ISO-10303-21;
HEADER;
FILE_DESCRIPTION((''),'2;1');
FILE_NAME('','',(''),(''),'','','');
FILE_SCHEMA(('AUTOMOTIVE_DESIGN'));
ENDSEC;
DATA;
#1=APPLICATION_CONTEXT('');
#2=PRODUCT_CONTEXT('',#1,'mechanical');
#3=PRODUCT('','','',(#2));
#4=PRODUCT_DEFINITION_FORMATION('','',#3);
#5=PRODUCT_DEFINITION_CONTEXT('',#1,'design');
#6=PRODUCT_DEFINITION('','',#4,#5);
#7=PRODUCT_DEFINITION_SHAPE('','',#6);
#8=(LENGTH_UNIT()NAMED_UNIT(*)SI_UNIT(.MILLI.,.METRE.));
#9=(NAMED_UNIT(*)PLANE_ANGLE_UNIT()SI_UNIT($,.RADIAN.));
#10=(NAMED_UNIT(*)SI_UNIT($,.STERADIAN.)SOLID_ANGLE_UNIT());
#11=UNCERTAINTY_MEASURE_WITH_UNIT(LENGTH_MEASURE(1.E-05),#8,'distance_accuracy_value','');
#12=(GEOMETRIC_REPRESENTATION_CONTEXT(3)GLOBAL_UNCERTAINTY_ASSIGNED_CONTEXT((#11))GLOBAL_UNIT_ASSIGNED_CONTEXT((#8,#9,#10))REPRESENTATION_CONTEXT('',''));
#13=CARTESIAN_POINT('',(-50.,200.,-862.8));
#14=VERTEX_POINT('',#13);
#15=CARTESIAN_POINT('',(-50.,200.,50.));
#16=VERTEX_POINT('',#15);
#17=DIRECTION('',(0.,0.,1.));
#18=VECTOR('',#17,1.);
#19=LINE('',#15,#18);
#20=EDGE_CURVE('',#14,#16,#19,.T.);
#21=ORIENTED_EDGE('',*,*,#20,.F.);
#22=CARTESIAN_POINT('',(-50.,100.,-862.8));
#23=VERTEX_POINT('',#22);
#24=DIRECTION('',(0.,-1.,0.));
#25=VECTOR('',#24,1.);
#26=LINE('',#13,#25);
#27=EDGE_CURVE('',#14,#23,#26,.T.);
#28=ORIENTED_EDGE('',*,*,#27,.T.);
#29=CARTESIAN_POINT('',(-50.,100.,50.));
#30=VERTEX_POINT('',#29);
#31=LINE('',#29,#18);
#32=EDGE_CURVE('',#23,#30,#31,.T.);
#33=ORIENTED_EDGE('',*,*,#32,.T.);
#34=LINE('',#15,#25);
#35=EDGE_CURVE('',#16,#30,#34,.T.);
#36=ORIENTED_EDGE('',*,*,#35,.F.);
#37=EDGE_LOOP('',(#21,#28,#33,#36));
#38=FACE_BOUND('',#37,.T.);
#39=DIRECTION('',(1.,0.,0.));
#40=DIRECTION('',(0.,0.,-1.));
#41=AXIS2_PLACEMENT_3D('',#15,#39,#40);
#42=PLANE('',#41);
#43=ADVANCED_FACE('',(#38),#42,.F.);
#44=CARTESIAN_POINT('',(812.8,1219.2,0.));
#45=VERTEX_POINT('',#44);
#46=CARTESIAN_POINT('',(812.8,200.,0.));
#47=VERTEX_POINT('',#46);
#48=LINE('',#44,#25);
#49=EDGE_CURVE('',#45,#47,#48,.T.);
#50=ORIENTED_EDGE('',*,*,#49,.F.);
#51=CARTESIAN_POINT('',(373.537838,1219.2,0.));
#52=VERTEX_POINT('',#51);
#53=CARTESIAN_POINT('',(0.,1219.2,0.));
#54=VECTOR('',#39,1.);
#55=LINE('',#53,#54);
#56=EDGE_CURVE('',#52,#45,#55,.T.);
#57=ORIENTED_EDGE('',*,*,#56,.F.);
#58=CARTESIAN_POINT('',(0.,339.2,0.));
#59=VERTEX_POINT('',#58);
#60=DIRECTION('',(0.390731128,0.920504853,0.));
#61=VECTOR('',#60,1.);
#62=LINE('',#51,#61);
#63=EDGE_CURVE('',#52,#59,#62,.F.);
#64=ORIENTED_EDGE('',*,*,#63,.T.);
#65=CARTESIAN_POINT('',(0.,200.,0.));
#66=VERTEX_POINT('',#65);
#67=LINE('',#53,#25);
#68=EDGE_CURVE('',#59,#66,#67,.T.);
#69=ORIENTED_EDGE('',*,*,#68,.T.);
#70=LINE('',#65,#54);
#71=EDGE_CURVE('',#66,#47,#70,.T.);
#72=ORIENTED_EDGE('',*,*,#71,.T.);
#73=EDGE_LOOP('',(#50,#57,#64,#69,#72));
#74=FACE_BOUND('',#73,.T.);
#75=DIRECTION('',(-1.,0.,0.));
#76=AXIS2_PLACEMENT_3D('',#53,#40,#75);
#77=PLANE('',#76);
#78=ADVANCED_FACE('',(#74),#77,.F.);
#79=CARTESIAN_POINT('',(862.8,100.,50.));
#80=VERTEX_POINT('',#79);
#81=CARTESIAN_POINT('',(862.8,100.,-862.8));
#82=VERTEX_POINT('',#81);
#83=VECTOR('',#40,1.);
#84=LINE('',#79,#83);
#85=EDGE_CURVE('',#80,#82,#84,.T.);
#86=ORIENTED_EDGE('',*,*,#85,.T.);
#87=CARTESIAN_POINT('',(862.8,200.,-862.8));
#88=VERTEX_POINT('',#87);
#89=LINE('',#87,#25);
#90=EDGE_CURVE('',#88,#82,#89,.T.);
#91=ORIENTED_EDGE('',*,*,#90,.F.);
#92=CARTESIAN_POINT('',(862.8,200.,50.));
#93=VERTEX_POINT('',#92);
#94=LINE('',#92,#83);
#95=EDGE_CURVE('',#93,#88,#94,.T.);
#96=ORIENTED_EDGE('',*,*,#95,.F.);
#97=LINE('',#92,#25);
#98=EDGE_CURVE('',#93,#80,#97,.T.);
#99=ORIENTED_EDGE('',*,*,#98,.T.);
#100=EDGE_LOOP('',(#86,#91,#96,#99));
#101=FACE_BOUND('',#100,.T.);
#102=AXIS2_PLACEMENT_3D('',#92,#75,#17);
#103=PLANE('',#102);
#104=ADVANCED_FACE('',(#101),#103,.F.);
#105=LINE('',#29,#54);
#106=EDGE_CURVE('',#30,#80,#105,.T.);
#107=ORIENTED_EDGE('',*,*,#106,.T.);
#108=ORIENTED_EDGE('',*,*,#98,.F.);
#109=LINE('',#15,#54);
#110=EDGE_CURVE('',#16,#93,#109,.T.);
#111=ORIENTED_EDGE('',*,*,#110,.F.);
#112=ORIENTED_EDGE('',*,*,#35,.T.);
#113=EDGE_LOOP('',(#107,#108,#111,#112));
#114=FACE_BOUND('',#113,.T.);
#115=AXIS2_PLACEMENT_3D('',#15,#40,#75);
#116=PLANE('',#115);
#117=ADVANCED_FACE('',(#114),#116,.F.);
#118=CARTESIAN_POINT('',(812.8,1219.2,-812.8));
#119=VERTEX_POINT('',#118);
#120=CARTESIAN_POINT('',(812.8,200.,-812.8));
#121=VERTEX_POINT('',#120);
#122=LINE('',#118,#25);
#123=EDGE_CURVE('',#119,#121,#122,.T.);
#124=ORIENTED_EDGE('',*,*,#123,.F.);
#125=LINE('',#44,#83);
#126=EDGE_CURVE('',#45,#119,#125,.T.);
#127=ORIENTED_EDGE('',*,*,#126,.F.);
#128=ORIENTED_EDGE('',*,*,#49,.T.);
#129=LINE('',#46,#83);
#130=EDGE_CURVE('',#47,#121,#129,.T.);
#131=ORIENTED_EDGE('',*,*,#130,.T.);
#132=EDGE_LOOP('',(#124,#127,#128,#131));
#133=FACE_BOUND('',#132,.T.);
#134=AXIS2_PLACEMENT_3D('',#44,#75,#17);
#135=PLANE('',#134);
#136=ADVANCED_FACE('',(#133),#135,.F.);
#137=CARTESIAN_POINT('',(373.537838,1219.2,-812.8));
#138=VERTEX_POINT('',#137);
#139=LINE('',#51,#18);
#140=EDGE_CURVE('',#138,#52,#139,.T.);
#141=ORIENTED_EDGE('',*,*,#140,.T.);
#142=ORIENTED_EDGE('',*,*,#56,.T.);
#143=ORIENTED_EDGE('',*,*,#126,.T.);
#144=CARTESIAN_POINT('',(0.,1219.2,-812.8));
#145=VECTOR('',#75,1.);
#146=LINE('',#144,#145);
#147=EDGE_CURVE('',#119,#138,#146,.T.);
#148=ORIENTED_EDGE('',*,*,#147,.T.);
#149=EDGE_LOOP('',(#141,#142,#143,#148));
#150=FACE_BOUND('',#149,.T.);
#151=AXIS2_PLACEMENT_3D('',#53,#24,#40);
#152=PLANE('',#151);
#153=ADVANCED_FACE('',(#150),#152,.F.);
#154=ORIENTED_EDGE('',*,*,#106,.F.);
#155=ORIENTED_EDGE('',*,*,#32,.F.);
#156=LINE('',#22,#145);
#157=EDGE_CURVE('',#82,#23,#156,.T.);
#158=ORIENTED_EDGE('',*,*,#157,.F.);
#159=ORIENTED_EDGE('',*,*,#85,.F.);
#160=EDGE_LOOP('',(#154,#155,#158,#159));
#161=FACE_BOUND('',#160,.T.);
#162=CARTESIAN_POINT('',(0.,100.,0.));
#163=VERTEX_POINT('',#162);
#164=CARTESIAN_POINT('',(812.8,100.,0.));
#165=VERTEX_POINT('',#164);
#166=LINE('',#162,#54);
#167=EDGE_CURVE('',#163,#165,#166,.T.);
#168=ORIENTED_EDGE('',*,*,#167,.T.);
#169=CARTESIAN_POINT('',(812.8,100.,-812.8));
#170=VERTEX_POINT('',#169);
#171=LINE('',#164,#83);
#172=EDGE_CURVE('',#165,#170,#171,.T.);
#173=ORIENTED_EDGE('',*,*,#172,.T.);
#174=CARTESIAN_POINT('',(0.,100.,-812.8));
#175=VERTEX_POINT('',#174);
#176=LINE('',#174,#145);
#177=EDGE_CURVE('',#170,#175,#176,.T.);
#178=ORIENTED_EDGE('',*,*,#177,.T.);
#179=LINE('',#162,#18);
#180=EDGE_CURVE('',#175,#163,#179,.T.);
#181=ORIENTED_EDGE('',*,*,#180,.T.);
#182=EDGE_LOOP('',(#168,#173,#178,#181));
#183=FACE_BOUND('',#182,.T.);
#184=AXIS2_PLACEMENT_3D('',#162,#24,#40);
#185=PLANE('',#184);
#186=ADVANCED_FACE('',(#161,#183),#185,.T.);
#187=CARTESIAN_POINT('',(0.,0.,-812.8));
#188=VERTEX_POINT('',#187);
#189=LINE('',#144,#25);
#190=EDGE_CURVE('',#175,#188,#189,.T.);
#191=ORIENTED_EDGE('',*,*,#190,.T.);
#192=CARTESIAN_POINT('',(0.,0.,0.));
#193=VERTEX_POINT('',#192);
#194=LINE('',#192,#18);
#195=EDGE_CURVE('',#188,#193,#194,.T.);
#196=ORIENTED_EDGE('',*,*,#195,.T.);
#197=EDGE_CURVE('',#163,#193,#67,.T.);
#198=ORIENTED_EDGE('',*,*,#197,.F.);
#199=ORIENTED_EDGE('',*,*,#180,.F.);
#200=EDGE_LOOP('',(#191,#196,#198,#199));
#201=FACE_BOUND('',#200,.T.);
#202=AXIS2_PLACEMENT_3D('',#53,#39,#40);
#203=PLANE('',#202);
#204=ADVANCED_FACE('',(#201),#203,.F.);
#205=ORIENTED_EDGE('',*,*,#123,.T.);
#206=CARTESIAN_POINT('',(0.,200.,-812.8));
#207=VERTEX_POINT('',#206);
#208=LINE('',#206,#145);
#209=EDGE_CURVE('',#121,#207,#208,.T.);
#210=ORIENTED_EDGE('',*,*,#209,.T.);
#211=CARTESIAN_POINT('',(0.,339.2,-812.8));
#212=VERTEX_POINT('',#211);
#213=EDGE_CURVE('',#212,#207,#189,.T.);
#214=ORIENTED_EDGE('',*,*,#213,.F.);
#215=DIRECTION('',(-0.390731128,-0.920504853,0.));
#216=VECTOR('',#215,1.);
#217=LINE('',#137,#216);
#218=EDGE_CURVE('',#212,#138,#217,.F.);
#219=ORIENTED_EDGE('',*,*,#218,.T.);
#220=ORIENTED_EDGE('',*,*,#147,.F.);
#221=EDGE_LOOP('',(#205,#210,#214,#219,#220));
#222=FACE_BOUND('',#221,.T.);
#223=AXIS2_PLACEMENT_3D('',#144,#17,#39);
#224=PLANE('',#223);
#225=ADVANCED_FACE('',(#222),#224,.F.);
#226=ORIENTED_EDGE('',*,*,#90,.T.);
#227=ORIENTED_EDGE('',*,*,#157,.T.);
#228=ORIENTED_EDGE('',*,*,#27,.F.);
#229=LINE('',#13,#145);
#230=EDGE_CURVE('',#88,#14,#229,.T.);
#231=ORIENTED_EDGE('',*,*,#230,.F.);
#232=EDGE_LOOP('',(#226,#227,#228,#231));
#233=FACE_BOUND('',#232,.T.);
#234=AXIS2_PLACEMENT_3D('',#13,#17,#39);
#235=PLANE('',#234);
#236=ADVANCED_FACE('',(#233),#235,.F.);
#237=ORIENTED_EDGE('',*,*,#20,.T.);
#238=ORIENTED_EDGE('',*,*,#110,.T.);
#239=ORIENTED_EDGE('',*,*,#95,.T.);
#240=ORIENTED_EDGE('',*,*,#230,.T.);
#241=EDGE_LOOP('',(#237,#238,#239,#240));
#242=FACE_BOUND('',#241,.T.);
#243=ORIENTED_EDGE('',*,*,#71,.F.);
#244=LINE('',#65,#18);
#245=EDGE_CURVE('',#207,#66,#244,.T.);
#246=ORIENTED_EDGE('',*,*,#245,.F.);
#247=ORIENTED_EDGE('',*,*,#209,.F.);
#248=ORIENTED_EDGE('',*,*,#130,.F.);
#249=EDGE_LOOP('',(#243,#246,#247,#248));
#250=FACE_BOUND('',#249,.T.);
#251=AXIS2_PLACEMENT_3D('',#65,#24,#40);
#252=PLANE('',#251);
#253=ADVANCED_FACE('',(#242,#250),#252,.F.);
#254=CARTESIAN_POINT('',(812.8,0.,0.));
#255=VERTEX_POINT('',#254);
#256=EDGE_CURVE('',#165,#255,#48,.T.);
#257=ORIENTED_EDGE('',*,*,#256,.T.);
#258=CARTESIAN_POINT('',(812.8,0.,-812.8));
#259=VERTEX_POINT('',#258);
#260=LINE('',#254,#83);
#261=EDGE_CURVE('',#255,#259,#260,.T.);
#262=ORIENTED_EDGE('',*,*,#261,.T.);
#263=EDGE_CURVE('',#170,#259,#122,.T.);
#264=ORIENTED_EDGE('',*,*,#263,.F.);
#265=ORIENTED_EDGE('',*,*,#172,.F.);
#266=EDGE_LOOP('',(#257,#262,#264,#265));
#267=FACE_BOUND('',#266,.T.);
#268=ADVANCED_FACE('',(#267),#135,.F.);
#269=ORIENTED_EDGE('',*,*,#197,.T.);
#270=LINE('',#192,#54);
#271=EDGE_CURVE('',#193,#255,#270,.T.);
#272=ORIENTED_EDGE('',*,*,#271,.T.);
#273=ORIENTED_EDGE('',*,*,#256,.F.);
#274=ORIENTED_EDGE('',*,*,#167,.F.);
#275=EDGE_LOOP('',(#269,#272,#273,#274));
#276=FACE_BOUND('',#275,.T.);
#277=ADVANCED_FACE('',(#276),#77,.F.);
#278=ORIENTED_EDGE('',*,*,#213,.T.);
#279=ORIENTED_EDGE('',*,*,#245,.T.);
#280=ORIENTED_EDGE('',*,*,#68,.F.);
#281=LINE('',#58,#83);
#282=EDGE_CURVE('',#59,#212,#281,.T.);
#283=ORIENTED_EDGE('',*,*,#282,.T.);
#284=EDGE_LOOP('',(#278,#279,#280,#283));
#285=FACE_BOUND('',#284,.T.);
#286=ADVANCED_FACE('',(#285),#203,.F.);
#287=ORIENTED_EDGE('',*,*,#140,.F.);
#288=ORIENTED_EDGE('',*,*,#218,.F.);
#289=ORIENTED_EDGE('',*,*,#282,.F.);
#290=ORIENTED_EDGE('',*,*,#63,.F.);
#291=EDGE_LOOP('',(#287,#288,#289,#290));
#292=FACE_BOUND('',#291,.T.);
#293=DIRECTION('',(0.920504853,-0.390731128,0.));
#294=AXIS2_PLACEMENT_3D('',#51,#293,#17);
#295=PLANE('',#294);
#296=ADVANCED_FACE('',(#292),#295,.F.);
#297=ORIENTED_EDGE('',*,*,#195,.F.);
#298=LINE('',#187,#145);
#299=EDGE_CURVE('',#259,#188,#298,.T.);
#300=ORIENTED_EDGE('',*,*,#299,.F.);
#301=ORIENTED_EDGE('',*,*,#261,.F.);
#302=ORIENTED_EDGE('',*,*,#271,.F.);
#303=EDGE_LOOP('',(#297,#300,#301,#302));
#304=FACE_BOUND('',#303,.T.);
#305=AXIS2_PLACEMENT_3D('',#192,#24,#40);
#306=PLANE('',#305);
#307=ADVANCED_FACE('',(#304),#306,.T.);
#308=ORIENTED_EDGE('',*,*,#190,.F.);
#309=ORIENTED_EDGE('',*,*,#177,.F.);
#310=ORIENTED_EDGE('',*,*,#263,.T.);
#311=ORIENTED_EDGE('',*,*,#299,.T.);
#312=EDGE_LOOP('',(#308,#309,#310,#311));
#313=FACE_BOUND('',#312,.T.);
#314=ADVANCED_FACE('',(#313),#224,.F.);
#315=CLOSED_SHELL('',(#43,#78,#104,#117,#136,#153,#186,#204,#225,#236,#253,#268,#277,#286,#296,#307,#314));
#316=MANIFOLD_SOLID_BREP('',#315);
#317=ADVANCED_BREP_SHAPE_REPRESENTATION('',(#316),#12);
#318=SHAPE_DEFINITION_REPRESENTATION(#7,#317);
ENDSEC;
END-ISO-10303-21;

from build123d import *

# Parameters (mm, degrees)
SKETCH2_W           = 812.8
SKETCH2_H           = 812.8
BOSS_EXTRUDE1_DEPTH = 1219.2
SKETCH3_W           = 912.8
SKETCH3_H           = 912.8
SKETCH3_W_2         = 812.8
SKETCH3_H_2         = 812.8
BOSS_EXTRUDE2_DEPTH = 100
CHAMFER4_SIZE       = 880
CHAMFER4_SIZE2      = 373.537838264


with BuildPart() as part:
    # Sketch2 → Boss-Extrude1 (new body)
    with BuildSketch(Plane(origin=(0, 0, 0), x_dir=(1, 0, 0), z_dir=(0, 1, 0))):
        with Locations((406.4, 406.4)):
            Rectangle(SKETCH2_W, SKETCH2_H)
    extrude(amount=BOSS_EXTRUDE1_DEPTH)

    # Sketch3 → Boss-Extrude2 (add)
    with BuildSketch(Plane(origin=(0, 100, 0), x_dir=(1, 0, 0), z_dir=(0, 1, 0))):
        with Locations((406.4, 406.4)):
            Rectangle(SKETCH3_W, SKETCH3_H)
        with Locations((406.4, 406.4)):
            Rectangle(SKETCH3_W_2, SKETCH3_H_2, mode=Mode.SUBTRACT)
    extrude(amount=BOSS_EXTRUDE2_DEPTH)

    # Chamfer4
    chamfer4_edges = [part.edges().sort_by_distance(p)[0] for p in [
        (0, 1219.2, -406.4),
    ]]
    chamfer4_side = [part.faces().sort_by_distance(p)[0] for p in [
        (0, 709.6, -406.4),
    ]]
    chamfer(chamfer4_edges, length=CHAMFER4_SIZE, length2=CHAMFER4_SIZE2, reference=chamfer4_side[0])


solid = part.part
